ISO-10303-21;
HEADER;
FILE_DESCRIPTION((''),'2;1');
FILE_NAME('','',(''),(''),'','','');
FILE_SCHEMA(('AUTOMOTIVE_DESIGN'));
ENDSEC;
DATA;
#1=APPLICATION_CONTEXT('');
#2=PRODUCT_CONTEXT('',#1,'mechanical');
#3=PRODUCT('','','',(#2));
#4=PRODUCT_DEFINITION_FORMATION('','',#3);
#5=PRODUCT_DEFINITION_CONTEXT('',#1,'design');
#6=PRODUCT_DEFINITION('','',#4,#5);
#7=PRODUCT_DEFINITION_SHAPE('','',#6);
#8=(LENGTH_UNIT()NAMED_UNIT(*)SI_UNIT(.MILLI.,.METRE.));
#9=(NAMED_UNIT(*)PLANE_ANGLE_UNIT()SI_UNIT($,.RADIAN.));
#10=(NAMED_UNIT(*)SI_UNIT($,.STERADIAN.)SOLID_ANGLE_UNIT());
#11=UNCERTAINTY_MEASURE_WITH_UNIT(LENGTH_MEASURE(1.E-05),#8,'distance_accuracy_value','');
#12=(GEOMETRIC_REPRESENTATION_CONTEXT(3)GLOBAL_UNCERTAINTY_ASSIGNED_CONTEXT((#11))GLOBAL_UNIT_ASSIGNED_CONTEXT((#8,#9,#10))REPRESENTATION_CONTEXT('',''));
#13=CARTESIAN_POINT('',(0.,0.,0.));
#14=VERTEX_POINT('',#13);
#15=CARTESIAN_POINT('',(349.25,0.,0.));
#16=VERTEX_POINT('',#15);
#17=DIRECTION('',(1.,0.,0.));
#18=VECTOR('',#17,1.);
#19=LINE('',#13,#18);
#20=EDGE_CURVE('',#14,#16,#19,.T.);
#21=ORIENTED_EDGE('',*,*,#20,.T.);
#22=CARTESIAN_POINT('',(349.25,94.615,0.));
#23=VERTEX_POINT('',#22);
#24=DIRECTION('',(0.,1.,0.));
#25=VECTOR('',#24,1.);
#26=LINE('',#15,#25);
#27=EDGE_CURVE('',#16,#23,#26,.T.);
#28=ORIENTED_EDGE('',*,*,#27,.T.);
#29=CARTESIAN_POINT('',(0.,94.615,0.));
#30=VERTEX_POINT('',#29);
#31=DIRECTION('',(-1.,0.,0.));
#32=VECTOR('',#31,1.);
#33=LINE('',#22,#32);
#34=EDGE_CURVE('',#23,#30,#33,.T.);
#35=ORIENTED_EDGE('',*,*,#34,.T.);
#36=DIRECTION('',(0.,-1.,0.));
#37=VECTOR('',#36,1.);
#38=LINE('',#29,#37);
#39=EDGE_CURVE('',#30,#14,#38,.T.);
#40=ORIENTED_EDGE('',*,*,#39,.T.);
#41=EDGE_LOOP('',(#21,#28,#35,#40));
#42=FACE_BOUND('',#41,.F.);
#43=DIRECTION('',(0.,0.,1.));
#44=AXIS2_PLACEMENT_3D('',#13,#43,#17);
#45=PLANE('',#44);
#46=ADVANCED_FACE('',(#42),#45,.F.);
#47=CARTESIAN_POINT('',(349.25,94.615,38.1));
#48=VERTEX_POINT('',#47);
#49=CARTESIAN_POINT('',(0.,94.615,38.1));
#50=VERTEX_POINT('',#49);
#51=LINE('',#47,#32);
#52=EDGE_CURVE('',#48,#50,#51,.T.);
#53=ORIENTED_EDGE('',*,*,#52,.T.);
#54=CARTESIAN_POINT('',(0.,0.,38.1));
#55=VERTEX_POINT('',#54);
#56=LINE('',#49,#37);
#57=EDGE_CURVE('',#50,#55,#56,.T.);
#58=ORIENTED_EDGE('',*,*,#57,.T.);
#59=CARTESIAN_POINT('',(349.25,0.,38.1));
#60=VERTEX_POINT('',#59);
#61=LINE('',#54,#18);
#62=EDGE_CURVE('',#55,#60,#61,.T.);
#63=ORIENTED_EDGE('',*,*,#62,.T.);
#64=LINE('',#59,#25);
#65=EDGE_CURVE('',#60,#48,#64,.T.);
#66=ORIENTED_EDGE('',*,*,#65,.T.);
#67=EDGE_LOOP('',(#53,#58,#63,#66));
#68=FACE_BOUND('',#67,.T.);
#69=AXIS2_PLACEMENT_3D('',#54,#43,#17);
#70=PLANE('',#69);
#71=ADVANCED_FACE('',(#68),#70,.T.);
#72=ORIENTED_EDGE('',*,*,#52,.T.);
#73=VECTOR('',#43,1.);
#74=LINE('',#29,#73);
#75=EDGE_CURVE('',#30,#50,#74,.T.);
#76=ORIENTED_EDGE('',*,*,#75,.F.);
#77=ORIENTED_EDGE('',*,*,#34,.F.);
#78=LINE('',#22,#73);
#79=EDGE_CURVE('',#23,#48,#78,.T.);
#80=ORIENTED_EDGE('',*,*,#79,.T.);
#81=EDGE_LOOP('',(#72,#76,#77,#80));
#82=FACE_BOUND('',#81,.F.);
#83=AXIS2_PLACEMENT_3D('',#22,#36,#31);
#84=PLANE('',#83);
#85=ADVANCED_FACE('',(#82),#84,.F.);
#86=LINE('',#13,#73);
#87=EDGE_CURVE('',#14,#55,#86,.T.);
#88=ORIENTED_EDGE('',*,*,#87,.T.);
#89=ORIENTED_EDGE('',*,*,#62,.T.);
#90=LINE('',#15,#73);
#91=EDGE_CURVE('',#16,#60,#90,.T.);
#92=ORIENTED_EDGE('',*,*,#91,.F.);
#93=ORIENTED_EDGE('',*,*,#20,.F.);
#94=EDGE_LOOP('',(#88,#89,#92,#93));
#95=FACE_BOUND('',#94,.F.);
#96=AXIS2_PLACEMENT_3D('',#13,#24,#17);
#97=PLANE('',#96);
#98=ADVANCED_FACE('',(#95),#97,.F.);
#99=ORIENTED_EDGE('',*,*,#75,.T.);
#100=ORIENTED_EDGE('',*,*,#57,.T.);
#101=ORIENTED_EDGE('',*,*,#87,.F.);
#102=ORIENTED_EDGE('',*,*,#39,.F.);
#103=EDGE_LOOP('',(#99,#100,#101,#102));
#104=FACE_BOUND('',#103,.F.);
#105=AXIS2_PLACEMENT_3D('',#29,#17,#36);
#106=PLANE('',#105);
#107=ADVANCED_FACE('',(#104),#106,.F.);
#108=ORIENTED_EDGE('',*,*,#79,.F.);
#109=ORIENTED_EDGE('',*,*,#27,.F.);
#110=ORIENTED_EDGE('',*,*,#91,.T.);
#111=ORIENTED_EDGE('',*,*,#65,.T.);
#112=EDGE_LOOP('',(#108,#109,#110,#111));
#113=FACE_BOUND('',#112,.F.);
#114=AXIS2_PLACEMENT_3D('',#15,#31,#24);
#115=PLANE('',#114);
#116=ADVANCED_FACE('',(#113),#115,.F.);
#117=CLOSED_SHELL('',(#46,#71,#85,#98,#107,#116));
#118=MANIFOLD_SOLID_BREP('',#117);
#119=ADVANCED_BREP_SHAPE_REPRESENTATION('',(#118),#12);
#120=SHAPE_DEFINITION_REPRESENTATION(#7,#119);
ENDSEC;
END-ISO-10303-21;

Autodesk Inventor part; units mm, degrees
ref_plane "YZ Plane" through (0, 0, 0) normal (1, 0, 0) x (0, 1, 0)
ref_plane "XZ Plane" through (0, 0, 0) normal (0, 1, 0) x (-1, 0, 0)
ref_plane "XY Plane" through (0, 0, 0) normal (0, 0, 1) x (1, 0, 0)
sketch "Sketch1" plane through (0, 0, 0) normal (0, 0, 1) x (1, 0, 0)
  line L0 (0, 0) -> (349.25, 0)
  line L1 (349.25, 0) -> (349.25, 94.615)
  line L2 (349.25, 94.615) -> (0, 94.615)
  line L3 (0, 94.615) -> (0, 0)
  dimension "d2" = 94.615
  dimension "d3" = 349.25
extrude "Extrusion1" add sketch "Sketch1" along normal blind 38.1
properties part number "Subfascia_With_Dimensions_5.798_x_13.75_Inches" material "Wood (Birch)"
